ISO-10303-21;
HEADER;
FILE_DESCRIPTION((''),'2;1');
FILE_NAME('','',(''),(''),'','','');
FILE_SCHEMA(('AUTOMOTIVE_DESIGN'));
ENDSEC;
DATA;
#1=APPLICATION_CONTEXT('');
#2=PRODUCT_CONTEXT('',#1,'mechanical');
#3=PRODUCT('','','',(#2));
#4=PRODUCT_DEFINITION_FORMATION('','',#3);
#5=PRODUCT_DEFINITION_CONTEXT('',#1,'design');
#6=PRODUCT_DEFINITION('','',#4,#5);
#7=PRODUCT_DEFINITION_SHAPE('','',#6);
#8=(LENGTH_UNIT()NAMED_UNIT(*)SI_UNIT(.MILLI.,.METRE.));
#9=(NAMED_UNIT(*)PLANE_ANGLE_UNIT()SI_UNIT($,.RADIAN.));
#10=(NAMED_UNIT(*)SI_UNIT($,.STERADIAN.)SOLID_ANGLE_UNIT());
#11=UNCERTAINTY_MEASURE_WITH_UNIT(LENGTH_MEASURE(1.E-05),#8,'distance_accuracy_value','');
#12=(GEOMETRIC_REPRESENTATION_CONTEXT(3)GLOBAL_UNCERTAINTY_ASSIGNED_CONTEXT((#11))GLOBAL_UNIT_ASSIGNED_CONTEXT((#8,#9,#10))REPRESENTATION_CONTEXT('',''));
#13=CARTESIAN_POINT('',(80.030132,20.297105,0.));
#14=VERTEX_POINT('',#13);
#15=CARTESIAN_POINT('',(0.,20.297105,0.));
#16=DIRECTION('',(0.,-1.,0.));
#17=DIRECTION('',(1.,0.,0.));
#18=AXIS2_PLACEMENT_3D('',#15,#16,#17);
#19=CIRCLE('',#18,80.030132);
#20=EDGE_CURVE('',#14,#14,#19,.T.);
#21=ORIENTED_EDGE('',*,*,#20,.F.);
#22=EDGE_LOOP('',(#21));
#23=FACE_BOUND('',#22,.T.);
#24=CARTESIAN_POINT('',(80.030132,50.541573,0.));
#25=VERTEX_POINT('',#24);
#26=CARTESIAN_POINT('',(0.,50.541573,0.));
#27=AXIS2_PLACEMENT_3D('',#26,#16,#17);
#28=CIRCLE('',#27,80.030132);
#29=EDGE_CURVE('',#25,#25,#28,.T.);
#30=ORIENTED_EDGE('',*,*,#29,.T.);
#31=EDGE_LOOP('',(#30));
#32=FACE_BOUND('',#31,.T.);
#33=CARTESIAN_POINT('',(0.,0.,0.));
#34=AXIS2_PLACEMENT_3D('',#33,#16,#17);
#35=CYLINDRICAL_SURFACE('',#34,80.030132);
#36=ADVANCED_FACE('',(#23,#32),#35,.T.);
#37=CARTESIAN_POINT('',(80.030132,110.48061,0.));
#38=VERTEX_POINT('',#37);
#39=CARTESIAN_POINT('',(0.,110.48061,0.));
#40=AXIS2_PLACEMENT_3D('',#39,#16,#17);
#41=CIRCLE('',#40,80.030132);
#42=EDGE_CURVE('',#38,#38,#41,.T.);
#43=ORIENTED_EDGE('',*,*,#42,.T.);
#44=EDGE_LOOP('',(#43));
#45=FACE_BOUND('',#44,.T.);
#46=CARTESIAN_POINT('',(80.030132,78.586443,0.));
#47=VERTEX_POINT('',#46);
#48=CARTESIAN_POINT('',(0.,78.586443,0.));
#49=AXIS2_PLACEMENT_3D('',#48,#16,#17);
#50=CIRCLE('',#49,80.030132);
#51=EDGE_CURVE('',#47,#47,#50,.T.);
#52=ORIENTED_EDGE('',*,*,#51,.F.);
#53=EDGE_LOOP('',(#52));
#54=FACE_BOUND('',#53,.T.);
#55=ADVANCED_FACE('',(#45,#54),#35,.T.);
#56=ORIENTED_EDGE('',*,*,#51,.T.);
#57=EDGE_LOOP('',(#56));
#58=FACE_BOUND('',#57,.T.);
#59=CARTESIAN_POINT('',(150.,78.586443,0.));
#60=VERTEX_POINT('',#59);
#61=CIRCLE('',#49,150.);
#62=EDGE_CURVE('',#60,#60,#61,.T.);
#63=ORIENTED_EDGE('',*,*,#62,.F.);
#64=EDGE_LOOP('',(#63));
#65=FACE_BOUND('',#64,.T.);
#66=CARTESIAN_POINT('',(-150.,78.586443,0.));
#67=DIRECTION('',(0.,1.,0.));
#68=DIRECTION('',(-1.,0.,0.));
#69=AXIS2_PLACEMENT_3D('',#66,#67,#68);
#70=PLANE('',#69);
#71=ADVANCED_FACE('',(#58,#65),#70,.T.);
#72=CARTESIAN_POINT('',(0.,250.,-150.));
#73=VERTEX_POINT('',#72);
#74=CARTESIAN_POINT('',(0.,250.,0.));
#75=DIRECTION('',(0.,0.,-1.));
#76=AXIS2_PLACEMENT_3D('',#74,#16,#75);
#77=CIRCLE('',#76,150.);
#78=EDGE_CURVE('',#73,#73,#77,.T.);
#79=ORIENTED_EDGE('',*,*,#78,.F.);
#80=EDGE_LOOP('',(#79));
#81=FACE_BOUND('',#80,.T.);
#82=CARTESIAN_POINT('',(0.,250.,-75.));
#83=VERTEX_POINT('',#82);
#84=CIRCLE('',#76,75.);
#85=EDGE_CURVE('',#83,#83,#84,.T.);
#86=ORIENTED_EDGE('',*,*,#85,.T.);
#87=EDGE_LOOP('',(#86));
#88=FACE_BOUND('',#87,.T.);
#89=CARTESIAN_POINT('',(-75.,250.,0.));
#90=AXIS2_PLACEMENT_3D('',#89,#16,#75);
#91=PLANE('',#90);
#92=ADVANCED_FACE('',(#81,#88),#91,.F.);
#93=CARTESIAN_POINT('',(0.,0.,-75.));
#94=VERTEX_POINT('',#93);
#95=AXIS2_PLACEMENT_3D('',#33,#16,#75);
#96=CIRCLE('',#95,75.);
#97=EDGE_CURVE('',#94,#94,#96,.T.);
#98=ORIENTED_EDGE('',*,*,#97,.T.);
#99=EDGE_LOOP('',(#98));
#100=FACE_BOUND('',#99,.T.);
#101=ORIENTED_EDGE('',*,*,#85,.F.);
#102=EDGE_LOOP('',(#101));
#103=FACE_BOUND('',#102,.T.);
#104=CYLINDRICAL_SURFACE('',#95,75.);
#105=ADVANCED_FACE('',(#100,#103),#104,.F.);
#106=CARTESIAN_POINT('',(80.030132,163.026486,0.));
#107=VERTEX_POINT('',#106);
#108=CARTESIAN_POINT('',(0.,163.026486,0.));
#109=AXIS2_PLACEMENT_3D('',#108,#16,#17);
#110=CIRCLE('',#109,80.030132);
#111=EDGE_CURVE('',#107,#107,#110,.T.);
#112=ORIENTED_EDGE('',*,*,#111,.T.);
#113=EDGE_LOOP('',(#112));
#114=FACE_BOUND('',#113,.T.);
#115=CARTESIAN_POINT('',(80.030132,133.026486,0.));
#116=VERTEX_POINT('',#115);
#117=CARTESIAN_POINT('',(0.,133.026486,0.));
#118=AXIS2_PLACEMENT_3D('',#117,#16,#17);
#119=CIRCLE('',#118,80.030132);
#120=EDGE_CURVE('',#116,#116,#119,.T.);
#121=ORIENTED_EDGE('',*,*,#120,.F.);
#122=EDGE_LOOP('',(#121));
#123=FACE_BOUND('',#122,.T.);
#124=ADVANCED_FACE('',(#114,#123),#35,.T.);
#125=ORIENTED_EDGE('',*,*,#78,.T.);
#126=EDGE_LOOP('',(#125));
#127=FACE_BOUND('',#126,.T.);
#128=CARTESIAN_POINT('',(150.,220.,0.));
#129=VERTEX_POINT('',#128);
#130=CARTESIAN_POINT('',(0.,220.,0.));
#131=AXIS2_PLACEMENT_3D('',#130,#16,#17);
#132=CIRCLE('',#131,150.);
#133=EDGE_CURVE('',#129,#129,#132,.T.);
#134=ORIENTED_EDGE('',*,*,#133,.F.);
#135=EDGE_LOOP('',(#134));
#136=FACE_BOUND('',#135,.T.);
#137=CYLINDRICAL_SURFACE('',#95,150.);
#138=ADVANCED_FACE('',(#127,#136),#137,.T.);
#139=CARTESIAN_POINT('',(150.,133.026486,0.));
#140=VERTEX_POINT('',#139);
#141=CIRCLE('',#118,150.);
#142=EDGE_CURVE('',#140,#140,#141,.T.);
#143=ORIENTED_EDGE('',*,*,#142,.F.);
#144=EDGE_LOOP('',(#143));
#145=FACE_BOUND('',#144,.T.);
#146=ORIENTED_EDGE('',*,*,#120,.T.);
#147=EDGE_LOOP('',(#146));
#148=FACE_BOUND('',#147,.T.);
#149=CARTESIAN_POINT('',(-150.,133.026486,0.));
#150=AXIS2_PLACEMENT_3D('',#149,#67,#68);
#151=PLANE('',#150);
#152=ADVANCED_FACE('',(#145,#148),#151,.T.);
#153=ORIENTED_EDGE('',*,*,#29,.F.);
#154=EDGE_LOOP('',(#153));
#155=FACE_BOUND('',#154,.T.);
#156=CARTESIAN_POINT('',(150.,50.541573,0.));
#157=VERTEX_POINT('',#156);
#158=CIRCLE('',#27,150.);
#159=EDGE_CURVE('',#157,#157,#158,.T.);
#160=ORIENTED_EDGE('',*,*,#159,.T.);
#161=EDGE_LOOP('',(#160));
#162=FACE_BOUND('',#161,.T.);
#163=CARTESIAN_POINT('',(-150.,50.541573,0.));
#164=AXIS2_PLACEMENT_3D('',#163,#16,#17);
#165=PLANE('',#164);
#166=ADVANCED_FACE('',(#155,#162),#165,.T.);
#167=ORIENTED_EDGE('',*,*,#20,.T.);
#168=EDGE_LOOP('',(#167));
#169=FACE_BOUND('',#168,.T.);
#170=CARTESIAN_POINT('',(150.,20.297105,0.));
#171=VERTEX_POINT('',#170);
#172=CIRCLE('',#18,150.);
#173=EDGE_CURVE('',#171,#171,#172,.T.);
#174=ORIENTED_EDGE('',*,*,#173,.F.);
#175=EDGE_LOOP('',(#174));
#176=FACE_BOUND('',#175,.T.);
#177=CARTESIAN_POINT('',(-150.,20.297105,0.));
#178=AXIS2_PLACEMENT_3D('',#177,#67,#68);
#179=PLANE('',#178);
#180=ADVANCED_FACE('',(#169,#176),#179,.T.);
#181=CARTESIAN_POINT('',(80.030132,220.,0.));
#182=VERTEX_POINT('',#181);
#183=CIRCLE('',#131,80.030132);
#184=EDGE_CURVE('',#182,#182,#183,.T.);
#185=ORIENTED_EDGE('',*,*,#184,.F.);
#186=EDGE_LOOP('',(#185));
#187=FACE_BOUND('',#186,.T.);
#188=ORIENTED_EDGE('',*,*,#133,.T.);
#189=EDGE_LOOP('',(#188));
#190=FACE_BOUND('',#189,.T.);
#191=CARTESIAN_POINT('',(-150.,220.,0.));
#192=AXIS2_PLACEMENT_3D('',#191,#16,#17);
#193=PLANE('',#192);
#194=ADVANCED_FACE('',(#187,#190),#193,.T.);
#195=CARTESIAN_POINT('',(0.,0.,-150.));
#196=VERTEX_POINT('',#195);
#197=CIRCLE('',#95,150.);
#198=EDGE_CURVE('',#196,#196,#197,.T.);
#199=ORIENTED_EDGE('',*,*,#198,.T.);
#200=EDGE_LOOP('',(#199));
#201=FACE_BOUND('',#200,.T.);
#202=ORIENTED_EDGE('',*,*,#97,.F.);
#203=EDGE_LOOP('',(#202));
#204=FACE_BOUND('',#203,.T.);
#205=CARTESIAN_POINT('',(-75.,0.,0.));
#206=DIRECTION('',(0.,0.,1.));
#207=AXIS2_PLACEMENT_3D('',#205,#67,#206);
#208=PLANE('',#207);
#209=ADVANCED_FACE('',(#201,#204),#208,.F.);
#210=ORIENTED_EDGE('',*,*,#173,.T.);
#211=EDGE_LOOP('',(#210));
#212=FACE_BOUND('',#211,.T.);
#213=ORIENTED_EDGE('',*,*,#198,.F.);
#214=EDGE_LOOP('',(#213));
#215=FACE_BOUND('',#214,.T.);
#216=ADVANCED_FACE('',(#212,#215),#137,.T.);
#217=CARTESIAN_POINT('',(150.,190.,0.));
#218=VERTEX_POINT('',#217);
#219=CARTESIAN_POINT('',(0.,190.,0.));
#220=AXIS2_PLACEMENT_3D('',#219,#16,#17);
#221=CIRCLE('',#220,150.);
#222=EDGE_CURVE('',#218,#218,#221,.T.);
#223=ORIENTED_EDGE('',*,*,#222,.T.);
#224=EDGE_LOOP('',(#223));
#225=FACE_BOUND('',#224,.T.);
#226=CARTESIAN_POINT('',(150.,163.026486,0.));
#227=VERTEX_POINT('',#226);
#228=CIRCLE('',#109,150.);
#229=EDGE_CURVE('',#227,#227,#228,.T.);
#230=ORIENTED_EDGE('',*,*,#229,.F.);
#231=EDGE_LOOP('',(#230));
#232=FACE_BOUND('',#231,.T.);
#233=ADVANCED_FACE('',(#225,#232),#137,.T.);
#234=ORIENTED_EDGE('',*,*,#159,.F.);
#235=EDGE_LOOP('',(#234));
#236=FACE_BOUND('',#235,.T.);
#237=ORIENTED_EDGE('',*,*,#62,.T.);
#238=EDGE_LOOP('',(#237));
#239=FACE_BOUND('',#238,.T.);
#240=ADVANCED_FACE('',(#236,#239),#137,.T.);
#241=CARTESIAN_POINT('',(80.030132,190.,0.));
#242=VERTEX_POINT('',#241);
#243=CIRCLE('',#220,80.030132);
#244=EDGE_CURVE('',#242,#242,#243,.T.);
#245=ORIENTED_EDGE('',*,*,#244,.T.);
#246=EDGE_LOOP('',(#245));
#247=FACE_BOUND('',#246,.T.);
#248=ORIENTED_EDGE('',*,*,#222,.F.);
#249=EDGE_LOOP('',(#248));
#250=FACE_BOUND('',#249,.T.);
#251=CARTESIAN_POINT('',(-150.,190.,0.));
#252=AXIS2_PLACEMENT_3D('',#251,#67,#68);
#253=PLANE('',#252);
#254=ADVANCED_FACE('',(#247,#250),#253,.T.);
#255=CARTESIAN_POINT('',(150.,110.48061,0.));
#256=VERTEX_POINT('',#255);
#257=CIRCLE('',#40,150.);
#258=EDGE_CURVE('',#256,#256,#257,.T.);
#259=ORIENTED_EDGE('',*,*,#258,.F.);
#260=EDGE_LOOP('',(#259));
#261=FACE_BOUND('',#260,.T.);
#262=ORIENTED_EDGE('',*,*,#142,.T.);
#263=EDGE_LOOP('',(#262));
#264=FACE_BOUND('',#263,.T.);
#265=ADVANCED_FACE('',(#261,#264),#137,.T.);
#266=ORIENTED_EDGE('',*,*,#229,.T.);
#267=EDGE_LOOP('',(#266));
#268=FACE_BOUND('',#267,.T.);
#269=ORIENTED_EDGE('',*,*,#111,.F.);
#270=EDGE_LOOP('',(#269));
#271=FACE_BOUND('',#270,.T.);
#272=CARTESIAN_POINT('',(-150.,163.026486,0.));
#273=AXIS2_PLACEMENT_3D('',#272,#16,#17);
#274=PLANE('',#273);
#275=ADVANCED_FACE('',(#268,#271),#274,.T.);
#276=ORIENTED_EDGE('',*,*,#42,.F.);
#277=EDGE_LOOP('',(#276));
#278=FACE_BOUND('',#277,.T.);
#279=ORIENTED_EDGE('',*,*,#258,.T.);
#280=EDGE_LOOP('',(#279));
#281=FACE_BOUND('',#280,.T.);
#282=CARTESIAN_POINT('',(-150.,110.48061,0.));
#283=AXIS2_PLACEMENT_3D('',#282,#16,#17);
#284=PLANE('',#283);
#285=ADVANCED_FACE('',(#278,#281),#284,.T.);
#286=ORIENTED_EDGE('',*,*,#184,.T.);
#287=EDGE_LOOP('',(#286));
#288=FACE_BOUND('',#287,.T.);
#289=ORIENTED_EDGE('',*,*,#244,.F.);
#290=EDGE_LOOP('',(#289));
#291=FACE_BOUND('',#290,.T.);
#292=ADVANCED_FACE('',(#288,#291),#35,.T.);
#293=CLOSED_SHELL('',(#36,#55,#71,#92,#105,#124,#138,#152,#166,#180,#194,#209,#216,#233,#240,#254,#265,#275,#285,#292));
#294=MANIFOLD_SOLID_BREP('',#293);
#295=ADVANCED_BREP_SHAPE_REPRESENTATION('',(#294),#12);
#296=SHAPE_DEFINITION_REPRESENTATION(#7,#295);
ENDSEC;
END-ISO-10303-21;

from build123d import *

# Parameters (mm, degrees)
SKETCH1_W   = 75
SKETCH1_H   = 250
SKETCH2_W   = 69.969867672
SKETCH2_H   = 30
SKETCH2_H_2 = 31.89416608
SKETCH2_H_3 = 30.244467835


with BuildPart() as part:
    # Sketch1 → Revolve1 (revolve)
    with BuildSketch(Plane.XY, mode=Mode.PRIVATE) as revolve1_sk:
        with Locations((-112.5, 125)):
            Rectangle(SKETCH1_W, SKETCH1_H)
    revolve(revolve1_sk.sketch.rotate(Axis((0, 0, 0), (0, 1, 0)), 270), axis=Axis((0, 0, 0), (0, 1, 0)))

    # Sketch2 → Cut-Revolve2 (revolve, cut)
    with BuildSketch(Plane.XY, mode=Mode.PRIVATE) as cut_revolve2_sk:
        with Locations((-115.015066164, 205)):
            Rectangle(SKETCH2_W, SKETCH2_H)
        with Locations((-115.015066164, 148.026485549)):
            Rectangle(SKETCH2_W, SKETCH2_H)
        with Locations((-115.015066164, 94.533526487)):
            Rectangle(SKETCH2_W, SKETCH2_H_2)
        with Locations((-115.015066164, 35.419339356)):
            Rectangle(SKETCH2_W, SKETCH2_H_3)
    revolve(cut_revolve2_sk.sketch.rotate(Axis((0, 0, 0), (0, 1, 0)), 180), axis=Axis((0, 0, 0), (0, 1, 0)), mode=Mode.SUBTRACT)


solid = part.part
